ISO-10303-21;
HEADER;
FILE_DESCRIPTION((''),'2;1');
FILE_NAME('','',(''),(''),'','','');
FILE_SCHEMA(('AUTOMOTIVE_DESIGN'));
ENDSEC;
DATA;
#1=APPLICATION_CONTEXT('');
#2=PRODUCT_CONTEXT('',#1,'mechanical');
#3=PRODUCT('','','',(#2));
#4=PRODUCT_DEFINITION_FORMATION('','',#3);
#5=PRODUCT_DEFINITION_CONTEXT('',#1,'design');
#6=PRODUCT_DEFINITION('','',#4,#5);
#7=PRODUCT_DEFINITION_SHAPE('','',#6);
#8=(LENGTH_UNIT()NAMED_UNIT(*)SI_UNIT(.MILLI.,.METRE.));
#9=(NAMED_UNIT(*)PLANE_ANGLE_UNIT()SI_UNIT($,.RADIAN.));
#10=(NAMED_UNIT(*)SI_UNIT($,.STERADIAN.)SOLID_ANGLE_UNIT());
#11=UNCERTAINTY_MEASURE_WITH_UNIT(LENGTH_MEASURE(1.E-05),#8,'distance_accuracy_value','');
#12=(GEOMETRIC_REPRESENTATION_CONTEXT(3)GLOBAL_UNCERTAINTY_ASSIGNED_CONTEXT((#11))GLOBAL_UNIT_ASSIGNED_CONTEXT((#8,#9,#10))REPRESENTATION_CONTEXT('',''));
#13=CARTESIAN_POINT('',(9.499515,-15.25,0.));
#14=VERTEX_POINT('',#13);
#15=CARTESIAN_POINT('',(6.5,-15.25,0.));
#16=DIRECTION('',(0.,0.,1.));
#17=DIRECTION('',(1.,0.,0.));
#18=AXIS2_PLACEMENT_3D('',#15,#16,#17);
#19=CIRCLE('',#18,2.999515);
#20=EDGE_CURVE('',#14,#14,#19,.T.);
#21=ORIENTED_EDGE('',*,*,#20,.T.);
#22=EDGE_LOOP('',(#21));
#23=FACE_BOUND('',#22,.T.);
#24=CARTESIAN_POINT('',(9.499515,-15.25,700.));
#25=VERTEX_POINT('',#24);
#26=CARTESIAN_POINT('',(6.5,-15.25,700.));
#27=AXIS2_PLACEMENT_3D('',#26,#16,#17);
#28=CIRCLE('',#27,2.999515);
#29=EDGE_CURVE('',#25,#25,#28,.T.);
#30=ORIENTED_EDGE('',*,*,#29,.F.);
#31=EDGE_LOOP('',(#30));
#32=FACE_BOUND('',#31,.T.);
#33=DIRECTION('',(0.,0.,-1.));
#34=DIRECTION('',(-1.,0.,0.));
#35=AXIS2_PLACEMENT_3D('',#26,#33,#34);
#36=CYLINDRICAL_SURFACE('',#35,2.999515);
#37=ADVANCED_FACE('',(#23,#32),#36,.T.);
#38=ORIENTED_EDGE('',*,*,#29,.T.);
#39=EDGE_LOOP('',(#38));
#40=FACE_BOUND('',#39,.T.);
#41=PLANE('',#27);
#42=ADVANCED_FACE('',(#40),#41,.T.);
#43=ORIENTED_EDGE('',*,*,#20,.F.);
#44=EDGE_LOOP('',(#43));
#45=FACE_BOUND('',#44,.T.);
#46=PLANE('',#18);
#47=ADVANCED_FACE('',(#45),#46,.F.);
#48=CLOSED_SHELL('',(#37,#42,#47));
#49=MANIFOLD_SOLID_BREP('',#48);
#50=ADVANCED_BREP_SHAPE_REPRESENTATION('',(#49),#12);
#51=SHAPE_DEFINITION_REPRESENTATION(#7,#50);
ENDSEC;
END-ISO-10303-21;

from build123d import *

# Parameters (mm, degrees)
SKETCH_1_R      = 2.999515394
EXTRUDE_1_DEPTH = 700


with BuildPart() as part:
    # Эскиз1 → Бобышка-Вытянуть1 (new body)
    with BuildSketch(Plane(origin=(0, 0, 0), x_dir=(-1, 0, 0), z_dir=(0, 0, 1))):
        with Locations(Location((-6.5, 15.25, 0), (0, 0, 180))):
            Circle(SKETCH_1_R)
    extrude(amount=EXTRUDE_1_DEPTH)


solid = part.part
